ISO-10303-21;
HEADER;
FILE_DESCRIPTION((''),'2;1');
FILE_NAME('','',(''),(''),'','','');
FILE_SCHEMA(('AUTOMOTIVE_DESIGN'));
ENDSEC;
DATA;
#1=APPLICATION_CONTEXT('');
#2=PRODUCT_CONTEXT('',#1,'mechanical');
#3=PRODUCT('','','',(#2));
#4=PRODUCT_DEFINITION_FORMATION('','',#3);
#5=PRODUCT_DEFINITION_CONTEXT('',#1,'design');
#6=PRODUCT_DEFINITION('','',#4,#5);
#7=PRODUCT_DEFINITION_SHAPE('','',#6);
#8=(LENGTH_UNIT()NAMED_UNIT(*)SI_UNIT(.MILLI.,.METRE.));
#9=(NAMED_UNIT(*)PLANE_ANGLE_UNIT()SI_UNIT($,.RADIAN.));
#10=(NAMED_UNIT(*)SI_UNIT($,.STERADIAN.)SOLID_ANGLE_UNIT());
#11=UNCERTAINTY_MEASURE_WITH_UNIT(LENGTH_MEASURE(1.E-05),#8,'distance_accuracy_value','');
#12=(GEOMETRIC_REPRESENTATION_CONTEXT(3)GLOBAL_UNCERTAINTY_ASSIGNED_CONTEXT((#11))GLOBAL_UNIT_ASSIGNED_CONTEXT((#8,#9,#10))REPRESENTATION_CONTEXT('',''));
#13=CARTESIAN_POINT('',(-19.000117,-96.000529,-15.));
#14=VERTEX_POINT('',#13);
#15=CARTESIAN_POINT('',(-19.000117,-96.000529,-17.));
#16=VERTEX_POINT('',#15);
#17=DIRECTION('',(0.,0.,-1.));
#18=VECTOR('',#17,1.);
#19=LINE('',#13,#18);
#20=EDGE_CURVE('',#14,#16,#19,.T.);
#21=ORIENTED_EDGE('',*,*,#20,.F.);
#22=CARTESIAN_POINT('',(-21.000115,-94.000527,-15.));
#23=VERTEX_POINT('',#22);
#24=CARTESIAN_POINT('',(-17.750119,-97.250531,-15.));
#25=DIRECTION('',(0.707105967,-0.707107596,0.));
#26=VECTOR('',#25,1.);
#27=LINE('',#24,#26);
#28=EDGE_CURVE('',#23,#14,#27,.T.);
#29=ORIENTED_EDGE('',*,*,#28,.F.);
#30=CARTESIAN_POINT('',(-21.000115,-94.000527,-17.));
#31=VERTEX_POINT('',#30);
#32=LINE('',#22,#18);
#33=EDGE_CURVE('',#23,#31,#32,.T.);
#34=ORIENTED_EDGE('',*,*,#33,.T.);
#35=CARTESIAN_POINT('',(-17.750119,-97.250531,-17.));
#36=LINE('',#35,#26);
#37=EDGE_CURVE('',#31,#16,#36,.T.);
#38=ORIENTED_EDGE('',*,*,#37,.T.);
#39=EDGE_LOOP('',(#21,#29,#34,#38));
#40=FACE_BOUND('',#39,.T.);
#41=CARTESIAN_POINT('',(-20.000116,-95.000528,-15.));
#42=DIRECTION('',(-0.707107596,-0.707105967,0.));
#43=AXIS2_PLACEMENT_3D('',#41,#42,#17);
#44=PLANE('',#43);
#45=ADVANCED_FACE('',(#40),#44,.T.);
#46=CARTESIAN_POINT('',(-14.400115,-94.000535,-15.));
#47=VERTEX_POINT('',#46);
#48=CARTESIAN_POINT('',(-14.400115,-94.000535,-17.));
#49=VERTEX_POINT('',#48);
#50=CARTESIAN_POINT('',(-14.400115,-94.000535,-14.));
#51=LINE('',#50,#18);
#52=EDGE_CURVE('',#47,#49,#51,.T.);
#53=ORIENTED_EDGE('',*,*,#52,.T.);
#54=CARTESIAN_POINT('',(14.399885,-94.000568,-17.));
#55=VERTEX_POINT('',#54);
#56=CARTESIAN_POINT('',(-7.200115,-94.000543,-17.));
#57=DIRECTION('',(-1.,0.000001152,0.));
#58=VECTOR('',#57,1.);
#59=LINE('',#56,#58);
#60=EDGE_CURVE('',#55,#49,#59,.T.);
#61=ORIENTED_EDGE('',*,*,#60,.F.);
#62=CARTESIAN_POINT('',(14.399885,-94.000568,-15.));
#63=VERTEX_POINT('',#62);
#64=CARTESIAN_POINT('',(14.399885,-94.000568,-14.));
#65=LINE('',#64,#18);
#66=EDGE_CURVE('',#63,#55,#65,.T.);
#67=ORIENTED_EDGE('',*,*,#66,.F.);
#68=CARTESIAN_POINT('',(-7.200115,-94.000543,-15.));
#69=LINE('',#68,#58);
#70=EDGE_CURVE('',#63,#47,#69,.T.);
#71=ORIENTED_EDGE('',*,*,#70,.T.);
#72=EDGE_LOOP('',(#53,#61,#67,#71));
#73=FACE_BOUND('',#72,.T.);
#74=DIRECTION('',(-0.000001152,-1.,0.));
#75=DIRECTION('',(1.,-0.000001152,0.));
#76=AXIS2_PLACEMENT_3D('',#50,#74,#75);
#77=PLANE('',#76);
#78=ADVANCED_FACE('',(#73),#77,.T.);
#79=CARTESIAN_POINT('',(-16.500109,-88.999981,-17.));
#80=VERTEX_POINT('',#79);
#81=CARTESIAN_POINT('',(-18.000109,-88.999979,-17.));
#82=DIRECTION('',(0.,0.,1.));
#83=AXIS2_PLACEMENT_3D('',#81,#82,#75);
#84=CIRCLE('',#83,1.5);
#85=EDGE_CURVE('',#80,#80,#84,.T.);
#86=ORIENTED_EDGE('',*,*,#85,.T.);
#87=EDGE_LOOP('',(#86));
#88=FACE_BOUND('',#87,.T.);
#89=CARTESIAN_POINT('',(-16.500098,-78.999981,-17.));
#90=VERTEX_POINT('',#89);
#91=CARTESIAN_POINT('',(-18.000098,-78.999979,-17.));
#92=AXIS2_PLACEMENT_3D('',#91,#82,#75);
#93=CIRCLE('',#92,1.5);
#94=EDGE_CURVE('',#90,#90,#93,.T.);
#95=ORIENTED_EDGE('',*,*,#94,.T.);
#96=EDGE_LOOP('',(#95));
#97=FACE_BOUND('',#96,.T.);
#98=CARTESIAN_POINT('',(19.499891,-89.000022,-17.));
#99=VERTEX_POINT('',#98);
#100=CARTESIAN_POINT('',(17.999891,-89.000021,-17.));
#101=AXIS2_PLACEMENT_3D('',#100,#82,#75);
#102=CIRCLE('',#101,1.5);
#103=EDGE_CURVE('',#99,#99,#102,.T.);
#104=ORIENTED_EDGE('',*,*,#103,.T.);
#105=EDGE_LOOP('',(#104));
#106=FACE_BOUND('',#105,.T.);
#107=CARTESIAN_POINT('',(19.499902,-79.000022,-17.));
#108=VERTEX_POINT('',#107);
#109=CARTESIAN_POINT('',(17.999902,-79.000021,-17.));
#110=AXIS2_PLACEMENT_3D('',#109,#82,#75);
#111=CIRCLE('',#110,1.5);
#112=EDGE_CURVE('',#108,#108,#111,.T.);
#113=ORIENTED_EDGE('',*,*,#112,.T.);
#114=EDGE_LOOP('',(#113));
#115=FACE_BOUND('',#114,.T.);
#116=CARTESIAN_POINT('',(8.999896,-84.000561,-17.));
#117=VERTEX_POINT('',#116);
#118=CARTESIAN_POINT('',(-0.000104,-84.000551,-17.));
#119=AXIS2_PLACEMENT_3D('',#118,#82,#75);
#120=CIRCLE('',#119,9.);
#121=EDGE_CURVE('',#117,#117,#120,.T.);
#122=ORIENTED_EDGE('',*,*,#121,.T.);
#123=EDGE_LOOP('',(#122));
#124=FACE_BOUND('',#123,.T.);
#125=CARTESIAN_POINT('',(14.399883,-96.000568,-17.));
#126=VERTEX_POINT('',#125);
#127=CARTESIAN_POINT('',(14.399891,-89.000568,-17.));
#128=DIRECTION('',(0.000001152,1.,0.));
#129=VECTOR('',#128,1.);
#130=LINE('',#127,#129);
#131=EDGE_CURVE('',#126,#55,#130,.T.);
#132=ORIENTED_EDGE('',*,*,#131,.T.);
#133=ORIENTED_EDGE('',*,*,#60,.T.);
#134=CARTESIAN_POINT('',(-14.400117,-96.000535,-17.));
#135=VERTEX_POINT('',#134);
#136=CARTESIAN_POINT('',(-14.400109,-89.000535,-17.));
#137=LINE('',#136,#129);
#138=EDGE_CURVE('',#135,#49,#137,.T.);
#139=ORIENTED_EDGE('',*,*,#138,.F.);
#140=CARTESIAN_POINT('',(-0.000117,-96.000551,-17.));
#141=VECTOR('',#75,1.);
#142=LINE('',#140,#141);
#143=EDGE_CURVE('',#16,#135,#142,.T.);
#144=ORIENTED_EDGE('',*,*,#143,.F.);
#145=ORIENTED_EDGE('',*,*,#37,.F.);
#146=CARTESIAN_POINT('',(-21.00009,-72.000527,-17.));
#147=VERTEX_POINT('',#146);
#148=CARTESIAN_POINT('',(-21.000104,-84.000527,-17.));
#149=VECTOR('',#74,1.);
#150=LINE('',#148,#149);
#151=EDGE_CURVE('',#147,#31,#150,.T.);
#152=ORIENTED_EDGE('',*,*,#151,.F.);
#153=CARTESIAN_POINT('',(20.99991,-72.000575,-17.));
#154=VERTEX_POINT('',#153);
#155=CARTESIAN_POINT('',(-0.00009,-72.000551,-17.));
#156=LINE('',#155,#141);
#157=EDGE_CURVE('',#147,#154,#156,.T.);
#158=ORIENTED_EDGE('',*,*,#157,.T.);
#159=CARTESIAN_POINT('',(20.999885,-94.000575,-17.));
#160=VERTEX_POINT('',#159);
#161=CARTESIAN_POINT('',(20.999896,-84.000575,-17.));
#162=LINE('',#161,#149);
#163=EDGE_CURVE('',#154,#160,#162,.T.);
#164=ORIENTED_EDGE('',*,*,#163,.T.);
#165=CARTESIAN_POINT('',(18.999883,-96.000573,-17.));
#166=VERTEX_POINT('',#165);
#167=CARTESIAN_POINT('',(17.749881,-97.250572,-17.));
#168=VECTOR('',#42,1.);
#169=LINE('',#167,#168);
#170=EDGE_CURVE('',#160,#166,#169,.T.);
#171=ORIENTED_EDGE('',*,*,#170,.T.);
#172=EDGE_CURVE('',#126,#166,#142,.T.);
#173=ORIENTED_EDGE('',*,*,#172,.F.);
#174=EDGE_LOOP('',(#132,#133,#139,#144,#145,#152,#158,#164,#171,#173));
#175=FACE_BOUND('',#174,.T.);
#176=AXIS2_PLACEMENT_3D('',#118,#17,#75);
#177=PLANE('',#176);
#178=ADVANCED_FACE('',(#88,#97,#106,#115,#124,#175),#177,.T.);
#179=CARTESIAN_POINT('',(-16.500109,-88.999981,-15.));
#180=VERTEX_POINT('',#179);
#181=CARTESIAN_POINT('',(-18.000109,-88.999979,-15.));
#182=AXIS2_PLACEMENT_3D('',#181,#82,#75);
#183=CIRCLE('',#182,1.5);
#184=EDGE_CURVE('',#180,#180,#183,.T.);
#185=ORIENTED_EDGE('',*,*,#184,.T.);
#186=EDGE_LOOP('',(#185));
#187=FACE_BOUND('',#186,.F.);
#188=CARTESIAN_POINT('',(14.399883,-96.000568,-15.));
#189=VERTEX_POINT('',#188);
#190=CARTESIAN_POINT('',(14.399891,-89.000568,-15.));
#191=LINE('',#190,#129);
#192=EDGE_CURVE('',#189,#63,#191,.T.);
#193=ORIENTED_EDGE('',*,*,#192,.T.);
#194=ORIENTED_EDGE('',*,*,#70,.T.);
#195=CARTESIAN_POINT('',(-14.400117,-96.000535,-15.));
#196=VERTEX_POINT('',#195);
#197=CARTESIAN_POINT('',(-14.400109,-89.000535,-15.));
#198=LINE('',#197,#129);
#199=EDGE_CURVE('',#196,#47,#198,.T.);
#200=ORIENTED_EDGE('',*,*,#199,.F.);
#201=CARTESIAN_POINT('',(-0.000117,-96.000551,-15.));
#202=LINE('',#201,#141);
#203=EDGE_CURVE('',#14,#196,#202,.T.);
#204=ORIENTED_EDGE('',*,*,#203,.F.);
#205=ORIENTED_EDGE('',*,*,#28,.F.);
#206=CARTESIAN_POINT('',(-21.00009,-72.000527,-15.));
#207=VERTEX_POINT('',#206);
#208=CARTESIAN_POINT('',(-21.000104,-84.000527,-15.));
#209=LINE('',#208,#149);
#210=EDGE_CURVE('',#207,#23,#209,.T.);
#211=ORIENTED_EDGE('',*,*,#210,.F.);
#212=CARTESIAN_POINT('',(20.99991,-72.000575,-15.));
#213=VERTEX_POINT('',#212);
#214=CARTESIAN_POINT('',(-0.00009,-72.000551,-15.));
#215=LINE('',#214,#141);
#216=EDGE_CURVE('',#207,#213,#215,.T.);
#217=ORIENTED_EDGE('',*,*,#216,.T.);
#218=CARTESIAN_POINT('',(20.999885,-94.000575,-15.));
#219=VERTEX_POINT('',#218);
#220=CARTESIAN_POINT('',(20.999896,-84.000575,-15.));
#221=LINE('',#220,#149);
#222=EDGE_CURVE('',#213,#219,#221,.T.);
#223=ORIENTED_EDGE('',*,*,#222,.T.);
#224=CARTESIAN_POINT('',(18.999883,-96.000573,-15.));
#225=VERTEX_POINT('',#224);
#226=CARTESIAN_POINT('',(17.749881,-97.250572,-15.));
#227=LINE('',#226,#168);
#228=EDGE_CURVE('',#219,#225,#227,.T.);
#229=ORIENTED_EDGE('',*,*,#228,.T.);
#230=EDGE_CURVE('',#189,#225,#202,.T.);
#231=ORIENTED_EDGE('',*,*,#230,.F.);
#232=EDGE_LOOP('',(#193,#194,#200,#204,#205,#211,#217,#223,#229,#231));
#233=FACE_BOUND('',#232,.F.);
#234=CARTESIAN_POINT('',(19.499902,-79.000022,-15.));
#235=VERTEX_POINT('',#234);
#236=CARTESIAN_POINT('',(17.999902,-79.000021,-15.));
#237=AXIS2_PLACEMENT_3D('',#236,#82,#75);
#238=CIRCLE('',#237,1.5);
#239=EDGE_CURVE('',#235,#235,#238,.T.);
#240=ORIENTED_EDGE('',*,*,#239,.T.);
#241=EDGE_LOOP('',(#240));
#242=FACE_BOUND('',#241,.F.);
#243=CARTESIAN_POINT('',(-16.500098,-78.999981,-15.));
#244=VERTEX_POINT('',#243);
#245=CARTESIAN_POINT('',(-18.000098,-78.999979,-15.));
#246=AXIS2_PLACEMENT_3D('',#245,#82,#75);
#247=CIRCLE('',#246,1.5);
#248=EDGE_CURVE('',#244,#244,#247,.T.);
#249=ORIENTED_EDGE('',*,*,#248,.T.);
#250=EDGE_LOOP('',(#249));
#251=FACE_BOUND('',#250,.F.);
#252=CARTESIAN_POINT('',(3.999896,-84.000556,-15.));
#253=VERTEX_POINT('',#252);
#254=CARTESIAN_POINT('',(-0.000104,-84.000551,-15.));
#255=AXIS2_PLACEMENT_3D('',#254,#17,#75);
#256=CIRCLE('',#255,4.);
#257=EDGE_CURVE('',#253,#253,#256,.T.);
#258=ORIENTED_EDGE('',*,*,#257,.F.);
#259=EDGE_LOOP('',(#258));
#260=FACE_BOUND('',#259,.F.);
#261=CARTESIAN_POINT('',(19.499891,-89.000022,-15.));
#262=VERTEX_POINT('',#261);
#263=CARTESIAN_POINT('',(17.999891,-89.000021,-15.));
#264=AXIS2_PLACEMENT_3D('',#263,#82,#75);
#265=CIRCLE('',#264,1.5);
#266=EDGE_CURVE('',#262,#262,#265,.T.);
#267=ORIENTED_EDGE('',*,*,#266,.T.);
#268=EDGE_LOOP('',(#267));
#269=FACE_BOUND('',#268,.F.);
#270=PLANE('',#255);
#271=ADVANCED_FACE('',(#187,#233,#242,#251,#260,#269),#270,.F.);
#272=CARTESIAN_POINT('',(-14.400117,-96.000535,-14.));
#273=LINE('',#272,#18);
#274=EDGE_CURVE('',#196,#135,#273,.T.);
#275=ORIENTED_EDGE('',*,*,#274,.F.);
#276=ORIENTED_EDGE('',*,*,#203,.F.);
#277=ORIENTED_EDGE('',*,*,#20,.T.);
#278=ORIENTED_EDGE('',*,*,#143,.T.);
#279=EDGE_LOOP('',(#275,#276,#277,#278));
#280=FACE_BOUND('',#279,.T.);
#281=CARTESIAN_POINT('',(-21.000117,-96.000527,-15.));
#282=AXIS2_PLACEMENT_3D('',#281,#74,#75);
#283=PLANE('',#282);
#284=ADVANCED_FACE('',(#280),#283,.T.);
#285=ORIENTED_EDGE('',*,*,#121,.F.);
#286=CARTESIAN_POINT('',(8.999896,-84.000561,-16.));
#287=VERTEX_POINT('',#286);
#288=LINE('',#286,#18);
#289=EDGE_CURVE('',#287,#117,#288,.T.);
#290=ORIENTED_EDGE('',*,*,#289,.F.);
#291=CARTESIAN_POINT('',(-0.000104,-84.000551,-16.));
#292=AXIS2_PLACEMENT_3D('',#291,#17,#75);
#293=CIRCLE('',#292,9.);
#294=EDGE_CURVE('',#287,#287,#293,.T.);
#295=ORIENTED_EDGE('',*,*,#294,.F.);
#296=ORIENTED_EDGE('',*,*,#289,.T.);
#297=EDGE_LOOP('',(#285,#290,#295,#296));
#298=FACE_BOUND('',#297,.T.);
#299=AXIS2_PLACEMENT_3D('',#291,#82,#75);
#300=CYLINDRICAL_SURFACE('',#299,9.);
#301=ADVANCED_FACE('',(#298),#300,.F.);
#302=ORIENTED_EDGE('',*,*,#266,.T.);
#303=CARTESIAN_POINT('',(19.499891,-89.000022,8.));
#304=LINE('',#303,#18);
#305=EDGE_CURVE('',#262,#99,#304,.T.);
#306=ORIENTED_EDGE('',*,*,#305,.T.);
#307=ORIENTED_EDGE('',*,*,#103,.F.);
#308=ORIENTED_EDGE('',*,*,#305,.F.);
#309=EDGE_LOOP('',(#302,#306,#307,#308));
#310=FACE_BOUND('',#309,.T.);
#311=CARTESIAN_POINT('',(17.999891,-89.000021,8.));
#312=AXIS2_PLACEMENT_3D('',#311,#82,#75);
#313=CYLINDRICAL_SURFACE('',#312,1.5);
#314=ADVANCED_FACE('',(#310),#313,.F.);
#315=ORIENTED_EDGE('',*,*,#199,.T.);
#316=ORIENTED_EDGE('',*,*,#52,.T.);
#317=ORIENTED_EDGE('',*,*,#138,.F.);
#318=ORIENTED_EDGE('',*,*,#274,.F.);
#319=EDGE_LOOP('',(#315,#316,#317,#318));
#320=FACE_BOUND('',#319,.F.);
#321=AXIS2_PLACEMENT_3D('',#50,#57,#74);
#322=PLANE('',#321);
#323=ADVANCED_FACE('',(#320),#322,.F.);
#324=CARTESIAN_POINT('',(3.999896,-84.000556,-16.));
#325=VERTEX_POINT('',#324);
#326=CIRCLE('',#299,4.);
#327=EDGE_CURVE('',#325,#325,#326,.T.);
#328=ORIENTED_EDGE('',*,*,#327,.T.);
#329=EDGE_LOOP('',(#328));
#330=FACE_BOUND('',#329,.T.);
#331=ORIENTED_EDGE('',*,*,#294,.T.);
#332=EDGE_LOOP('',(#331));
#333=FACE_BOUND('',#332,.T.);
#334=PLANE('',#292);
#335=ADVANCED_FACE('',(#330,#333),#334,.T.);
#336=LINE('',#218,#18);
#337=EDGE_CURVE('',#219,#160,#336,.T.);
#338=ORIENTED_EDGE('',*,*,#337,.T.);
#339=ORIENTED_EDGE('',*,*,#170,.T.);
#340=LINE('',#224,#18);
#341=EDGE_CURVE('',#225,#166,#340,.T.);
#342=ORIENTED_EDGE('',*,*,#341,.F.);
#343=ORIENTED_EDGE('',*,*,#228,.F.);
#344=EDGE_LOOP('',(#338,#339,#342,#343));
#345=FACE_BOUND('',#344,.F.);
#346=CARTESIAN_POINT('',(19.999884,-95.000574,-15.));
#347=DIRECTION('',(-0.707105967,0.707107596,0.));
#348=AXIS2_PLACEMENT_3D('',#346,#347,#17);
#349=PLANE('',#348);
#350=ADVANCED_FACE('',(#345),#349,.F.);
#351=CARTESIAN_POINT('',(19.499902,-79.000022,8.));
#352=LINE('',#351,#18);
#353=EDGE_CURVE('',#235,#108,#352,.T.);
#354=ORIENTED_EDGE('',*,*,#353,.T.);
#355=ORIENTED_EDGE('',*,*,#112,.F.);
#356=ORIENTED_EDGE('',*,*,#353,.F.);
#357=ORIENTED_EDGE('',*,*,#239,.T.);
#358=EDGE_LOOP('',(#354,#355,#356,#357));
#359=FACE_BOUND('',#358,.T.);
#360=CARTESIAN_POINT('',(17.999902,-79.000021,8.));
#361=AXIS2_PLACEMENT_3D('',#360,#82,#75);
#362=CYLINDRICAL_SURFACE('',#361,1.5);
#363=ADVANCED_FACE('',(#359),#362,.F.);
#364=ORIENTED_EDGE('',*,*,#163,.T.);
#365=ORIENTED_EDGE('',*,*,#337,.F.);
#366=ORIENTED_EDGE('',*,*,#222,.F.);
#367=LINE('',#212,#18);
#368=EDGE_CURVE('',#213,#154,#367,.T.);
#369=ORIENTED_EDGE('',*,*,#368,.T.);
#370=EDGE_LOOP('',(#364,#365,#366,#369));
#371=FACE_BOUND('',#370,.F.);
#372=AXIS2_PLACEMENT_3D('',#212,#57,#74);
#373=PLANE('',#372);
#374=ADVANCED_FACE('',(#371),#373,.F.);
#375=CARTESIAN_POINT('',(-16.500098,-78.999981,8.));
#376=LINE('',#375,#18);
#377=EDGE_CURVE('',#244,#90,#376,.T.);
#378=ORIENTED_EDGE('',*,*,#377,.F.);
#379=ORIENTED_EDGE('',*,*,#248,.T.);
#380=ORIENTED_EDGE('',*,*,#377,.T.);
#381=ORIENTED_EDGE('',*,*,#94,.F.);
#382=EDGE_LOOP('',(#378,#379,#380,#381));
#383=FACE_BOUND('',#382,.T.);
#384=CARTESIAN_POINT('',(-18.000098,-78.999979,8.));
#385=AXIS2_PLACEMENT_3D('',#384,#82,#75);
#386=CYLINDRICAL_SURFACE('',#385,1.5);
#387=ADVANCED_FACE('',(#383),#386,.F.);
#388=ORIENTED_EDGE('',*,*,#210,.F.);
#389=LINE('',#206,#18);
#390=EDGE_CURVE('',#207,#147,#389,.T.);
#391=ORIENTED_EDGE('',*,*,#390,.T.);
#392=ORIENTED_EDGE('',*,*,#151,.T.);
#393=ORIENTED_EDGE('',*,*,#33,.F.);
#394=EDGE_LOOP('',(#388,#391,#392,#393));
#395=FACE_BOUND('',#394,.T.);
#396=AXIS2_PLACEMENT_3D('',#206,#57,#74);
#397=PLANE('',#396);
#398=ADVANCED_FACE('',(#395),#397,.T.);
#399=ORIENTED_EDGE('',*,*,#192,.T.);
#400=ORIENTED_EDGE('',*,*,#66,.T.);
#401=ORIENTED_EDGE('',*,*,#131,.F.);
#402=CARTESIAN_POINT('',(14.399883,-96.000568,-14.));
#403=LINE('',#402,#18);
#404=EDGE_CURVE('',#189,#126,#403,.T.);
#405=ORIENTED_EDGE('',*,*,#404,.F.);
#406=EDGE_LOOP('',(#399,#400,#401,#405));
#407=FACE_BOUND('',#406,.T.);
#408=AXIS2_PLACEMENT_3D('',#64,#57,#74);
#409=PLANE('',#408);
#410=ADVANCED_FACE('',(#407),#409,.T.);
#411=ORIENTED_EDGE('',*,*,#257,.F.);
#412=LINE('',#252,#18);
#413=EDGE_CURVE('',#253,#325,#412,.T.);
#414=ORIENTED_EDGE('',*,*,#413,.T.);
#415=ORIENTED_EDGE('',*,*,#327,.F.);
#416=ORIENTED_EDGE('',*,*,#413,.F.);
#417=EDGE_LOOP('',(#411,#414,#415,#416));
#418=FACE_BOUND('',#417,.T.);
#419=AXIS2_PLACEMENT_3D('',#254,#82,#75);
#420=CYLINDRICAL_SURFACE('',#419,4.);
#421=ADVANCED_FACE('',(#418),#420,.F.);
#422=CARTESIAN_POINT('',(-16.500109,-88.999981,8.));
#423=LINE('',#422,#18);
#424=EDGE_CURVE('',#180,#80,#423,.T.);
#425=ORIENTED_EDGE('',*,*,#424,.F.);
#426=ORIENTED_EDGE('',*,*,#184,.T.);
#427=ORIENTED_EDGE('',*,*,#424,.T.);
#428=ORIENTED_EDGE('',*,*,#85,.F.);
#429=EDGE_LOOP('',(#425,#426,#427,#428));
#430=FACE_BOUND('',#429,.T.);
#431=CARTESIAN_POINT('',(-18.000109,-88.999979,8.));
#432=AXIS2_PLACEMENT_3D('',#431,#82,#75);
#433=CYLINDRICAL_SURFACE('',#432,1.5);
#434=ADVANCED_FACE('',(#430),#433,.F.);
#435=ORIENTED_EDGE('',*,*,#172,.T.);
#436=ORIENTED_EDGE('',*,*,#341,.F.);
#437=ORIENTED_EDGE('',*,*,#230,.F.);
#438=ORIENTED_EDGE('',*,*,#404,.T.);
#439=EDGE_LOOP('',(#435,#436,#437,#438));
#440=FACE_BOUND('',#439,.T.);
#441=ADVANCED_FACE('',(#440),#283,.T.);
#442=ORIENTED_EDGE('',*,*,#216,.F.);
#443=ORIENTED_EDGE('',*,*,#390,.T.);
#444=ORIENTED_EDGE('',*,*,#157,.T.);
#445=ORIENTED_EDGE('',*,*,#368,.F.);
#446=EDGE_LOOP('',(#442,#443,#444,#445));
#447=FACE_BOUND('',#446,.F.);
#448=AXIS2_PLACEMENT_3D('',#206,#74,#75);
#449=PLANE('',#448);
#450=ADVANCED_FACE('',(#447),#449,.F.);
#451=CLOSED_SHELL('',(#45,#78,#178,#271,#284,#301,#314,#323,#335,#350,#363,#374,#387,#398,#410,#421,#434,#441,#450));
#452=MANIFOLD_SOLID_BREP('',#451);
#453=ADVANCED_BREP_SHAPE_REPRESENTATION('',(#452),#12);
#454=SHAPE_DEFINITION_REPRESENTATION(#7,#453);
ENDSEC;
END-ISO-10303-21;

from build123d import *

# Parameters (mm, degrees)
CYLINDER1760_R               = 9
CYLINDER1760_DEPTH           = 4
CYLINDER1760_PLACEMENT_ANGLE = 225
BOX711_W                     = 28.8
BOX711_H                     = 2
BOX711_DEPTH                 = 4
COMPOUND890_PLACEMENT_ANGLE  = 225
CYLINDER1692_R               = 1.5
CYLINDER1692_DEPTH           = 60
CYLINDER1689_R               = 1.5
CYLINDER1689_DEPTH           = 60
CYLINDER1690_R               = 1.5
CYLINDER1690_DEPTH           = 60
CYLINDER1691_R               = 1.5
CYLINDER1691_DEPTH           = 60
COMPOUND833_PLACEMENT_ANGLE  = 225
CYLINDER2367_R               = 4
CYLINDER2367_DEPTH           = 4
CYLINDER2367_PLACEMENT_ANGLE = 225
BOX930_W                     = 42
BOX930_H                     = 24
BOX930_DEPTH                 = 2
COMPOUND818_PLACEMENT_ANGLE  = 225
CHAMFER058_SIZE              = 2
CHAMFER058_ROLL_ANGLE        = 180
CHAMFER058_PLACEMENT_ANGLE   = -135.000066


with BuildPart() as v_lec1760:
    # Cylinder1760 → Cylinder1760 (new body)
    with BuildSketch(Plane.XY):
        Circle(CYLINDER1760_R)
    extrude(amount=CYLINDER1760_DEPTH)


with BuildPart() as v_lec1760_1:
    # Cylinder1760 placement: moved
    add(v_lec1760.part.moved(Location((63.64, -63.64, 64))).rotate(Axis((63.64, -63.64, 64), (0, 0, 1)), CYLINDER1760_PLACEMENT_ANGLE))


with BuildPart() as compound890:
    # Box711 → Box711 (new body)
    with BuildSketch(Plane(origin=(-14.4, 10, 24), x_dir=(1, 0, 0), z_dir=(0, 0, 1))):
        with Locations((14.4, 1)):
            Rectangle(BOX711_W, BOX711_H)
    extrude(amount=BOX711_DEPTH)


with BuildPart() as compound890_1:
    # Compound890 placement: moved
    add(compound890.part.moved(Location((63.64, -63.64, 38))).rotate(Axis((63.64, -63.64, 38), (0, 0, 1)), COMPOUND890_PLACEMENT_ANGLE))


with BuildPart() as v_lec1692:
    # Cylinder1692 → Cylinder1692 (new body)
    with BuildSketch(Plane(origin=(18, 85, -57), x_dir=(1, 0, 0), z_dir=(0, 0, 1))):
        Circle(CYLINDER1692_R)
    extrude(amount=CYLINDER1692_DEPTH)


with BuildPart() as v_lec1689:
    # Cylinder1689 → Cylinder1689 (new body)
    with BuildSketch(Plane(origin=(-18, 85, -57), x_dir=(1, 0, 0), z_dir=(0, 0, 1))):
        Circle(CYLINDER1689_R)
    extrude(amount=CYLINDER1689_DEPTH)


with BuildPart() as v_lec1690:
    # Cylinder1690 → Cylinder1690 (new body)
    with BuildSketch(Plane(origin=(-18, 95, -57), x_dir=(1, 0, 0), z_dir=(0, 0, 1))):
        Circle(CYLINDER1690_R)
    extrude(amount=CYLINDER1690_DEPTH)


with BuildPart() as compound833:
    # Cylinder1691 → Cylinder1691 (new body)
    with BuildSketch(Plane(origin=(18, 95, -57), x_dir=(1, 0, 0), z_dir=(0, 0, 1))):
        Circle(CYLINDER1691_R)
    extrude(amount=CYLINDER1691_DEPTH)

    # Compound833: union Válec1692, Válec1689, Válec1690
    add(v_lec1692.part)
    add(v_lec1689.part)
    add(v_lec1690.part)


with BuildPart() as compound833_1:
    # Compound833 placement: moved
    add(compound833.part.moved(Location((0, 0, 100))).rotate(Axis((0, 0, 100), (0, 0, 1)), COMPOUND833_PLACEMENT_ANGLE))


with BuildPart() as v_lec2367:
    # Cylinder2367 → Cylinder2367 (new body)
    with BuildSketch(Plane.XY):
        Circle(CYLINDER2367_R)
    extrude(amount=CYLINDER2367_DEPTH)


with BuildPart() as v_lec2367_1:
    # Cylinder2367 placement: moved
    add(v_lec2367.part.moved(Location((63.64, -63.64, 76))).rotate(Axis((63.64, -63.64, 76), (0, 0, 1)), CYLINDER2367_PLACEMENT_ANGLE))


with BuildPart() as g_mini_encoder_washer:
    # Box930 → Box930 (new body)
    with BuildSketch(Plane(origin=(-21, -12, 34), x_dir=(1, 0, 0), z_dir=(0, 0, 1))):
        with Locations((21, 12)):
            Rectangle(BOX930_W, BOX930_H)
    extrude(amount=BOX930_DEPTH)


with BuildPart() as g_mini_encoder_washer_1:
    # Compound818 placement: moved
    add(g_mini_encoder_washer.part.moved(Location((63.64, -63.64, 42))).rotate(Axis((63.64, -63.64, 42), (0, 0, 1)), COMPOUND818_PLACEMENT_ANGLE))

    # Cut472: cut Válec2367
    add(v_lec2367_1.part, mode=Mode.SUBTRACT)


with BuildPart() as g_mini_encoder_washer_2:
    # Cut472 placement: moved
    add(g_mini_encoder_washer_1.part.moved(Location((0, 0, -10))))

    # Cut481: cut Compound833
    add(compound833_1.part, mode=Mode.SUBTRACT)


with BuildPart() as g_mini_encoder_washer_3:
    # Cut481 placement: moved
    add(g_mini_encoder_washer_2.part.moved(Location((0, 0, -3))))

    # Cut522: cut Compound890
    add(compound890_1.part, mode=Mode.SUBTRACT)

    # Cut523: cut Válec1760
    add(v_lec1760_1.part, mode=Mode.SUBTRACT)

    # Chamfer058
    chamfer058_edges = [g_mini_encoder_washer_3.edges().sort_by_distance(p)[0] for p in [
        (86.974524, -57.276039, 64),
        (57.276039, -86.974524, 64),
    ]]
    chamfer(chamfer058_edges, length=CHAMFER058_SIZE)


with BuildPart() as g_mini_encoder_washer_4:
    # Chamfer058 roll: moved
    add(g_mini_encoder_washer_3.part.rotate(Axis((0, 0, 0), (1, 0, 0)), CHAMFER058_ROLL_ANGLE))


with BuildPart() as g_mini_encoder_washer_5:
    # Chamfer058 placement: moved
    add(g_mini_encoder_washer_4.part.moved(Location((0, 6, 48))).rotate(Axis((0, 6, 48), (0, 0, 1)), CHAMFER058_PLACEMENT_ANGLE))


solid = g_mini_encoder_washer_5.part
